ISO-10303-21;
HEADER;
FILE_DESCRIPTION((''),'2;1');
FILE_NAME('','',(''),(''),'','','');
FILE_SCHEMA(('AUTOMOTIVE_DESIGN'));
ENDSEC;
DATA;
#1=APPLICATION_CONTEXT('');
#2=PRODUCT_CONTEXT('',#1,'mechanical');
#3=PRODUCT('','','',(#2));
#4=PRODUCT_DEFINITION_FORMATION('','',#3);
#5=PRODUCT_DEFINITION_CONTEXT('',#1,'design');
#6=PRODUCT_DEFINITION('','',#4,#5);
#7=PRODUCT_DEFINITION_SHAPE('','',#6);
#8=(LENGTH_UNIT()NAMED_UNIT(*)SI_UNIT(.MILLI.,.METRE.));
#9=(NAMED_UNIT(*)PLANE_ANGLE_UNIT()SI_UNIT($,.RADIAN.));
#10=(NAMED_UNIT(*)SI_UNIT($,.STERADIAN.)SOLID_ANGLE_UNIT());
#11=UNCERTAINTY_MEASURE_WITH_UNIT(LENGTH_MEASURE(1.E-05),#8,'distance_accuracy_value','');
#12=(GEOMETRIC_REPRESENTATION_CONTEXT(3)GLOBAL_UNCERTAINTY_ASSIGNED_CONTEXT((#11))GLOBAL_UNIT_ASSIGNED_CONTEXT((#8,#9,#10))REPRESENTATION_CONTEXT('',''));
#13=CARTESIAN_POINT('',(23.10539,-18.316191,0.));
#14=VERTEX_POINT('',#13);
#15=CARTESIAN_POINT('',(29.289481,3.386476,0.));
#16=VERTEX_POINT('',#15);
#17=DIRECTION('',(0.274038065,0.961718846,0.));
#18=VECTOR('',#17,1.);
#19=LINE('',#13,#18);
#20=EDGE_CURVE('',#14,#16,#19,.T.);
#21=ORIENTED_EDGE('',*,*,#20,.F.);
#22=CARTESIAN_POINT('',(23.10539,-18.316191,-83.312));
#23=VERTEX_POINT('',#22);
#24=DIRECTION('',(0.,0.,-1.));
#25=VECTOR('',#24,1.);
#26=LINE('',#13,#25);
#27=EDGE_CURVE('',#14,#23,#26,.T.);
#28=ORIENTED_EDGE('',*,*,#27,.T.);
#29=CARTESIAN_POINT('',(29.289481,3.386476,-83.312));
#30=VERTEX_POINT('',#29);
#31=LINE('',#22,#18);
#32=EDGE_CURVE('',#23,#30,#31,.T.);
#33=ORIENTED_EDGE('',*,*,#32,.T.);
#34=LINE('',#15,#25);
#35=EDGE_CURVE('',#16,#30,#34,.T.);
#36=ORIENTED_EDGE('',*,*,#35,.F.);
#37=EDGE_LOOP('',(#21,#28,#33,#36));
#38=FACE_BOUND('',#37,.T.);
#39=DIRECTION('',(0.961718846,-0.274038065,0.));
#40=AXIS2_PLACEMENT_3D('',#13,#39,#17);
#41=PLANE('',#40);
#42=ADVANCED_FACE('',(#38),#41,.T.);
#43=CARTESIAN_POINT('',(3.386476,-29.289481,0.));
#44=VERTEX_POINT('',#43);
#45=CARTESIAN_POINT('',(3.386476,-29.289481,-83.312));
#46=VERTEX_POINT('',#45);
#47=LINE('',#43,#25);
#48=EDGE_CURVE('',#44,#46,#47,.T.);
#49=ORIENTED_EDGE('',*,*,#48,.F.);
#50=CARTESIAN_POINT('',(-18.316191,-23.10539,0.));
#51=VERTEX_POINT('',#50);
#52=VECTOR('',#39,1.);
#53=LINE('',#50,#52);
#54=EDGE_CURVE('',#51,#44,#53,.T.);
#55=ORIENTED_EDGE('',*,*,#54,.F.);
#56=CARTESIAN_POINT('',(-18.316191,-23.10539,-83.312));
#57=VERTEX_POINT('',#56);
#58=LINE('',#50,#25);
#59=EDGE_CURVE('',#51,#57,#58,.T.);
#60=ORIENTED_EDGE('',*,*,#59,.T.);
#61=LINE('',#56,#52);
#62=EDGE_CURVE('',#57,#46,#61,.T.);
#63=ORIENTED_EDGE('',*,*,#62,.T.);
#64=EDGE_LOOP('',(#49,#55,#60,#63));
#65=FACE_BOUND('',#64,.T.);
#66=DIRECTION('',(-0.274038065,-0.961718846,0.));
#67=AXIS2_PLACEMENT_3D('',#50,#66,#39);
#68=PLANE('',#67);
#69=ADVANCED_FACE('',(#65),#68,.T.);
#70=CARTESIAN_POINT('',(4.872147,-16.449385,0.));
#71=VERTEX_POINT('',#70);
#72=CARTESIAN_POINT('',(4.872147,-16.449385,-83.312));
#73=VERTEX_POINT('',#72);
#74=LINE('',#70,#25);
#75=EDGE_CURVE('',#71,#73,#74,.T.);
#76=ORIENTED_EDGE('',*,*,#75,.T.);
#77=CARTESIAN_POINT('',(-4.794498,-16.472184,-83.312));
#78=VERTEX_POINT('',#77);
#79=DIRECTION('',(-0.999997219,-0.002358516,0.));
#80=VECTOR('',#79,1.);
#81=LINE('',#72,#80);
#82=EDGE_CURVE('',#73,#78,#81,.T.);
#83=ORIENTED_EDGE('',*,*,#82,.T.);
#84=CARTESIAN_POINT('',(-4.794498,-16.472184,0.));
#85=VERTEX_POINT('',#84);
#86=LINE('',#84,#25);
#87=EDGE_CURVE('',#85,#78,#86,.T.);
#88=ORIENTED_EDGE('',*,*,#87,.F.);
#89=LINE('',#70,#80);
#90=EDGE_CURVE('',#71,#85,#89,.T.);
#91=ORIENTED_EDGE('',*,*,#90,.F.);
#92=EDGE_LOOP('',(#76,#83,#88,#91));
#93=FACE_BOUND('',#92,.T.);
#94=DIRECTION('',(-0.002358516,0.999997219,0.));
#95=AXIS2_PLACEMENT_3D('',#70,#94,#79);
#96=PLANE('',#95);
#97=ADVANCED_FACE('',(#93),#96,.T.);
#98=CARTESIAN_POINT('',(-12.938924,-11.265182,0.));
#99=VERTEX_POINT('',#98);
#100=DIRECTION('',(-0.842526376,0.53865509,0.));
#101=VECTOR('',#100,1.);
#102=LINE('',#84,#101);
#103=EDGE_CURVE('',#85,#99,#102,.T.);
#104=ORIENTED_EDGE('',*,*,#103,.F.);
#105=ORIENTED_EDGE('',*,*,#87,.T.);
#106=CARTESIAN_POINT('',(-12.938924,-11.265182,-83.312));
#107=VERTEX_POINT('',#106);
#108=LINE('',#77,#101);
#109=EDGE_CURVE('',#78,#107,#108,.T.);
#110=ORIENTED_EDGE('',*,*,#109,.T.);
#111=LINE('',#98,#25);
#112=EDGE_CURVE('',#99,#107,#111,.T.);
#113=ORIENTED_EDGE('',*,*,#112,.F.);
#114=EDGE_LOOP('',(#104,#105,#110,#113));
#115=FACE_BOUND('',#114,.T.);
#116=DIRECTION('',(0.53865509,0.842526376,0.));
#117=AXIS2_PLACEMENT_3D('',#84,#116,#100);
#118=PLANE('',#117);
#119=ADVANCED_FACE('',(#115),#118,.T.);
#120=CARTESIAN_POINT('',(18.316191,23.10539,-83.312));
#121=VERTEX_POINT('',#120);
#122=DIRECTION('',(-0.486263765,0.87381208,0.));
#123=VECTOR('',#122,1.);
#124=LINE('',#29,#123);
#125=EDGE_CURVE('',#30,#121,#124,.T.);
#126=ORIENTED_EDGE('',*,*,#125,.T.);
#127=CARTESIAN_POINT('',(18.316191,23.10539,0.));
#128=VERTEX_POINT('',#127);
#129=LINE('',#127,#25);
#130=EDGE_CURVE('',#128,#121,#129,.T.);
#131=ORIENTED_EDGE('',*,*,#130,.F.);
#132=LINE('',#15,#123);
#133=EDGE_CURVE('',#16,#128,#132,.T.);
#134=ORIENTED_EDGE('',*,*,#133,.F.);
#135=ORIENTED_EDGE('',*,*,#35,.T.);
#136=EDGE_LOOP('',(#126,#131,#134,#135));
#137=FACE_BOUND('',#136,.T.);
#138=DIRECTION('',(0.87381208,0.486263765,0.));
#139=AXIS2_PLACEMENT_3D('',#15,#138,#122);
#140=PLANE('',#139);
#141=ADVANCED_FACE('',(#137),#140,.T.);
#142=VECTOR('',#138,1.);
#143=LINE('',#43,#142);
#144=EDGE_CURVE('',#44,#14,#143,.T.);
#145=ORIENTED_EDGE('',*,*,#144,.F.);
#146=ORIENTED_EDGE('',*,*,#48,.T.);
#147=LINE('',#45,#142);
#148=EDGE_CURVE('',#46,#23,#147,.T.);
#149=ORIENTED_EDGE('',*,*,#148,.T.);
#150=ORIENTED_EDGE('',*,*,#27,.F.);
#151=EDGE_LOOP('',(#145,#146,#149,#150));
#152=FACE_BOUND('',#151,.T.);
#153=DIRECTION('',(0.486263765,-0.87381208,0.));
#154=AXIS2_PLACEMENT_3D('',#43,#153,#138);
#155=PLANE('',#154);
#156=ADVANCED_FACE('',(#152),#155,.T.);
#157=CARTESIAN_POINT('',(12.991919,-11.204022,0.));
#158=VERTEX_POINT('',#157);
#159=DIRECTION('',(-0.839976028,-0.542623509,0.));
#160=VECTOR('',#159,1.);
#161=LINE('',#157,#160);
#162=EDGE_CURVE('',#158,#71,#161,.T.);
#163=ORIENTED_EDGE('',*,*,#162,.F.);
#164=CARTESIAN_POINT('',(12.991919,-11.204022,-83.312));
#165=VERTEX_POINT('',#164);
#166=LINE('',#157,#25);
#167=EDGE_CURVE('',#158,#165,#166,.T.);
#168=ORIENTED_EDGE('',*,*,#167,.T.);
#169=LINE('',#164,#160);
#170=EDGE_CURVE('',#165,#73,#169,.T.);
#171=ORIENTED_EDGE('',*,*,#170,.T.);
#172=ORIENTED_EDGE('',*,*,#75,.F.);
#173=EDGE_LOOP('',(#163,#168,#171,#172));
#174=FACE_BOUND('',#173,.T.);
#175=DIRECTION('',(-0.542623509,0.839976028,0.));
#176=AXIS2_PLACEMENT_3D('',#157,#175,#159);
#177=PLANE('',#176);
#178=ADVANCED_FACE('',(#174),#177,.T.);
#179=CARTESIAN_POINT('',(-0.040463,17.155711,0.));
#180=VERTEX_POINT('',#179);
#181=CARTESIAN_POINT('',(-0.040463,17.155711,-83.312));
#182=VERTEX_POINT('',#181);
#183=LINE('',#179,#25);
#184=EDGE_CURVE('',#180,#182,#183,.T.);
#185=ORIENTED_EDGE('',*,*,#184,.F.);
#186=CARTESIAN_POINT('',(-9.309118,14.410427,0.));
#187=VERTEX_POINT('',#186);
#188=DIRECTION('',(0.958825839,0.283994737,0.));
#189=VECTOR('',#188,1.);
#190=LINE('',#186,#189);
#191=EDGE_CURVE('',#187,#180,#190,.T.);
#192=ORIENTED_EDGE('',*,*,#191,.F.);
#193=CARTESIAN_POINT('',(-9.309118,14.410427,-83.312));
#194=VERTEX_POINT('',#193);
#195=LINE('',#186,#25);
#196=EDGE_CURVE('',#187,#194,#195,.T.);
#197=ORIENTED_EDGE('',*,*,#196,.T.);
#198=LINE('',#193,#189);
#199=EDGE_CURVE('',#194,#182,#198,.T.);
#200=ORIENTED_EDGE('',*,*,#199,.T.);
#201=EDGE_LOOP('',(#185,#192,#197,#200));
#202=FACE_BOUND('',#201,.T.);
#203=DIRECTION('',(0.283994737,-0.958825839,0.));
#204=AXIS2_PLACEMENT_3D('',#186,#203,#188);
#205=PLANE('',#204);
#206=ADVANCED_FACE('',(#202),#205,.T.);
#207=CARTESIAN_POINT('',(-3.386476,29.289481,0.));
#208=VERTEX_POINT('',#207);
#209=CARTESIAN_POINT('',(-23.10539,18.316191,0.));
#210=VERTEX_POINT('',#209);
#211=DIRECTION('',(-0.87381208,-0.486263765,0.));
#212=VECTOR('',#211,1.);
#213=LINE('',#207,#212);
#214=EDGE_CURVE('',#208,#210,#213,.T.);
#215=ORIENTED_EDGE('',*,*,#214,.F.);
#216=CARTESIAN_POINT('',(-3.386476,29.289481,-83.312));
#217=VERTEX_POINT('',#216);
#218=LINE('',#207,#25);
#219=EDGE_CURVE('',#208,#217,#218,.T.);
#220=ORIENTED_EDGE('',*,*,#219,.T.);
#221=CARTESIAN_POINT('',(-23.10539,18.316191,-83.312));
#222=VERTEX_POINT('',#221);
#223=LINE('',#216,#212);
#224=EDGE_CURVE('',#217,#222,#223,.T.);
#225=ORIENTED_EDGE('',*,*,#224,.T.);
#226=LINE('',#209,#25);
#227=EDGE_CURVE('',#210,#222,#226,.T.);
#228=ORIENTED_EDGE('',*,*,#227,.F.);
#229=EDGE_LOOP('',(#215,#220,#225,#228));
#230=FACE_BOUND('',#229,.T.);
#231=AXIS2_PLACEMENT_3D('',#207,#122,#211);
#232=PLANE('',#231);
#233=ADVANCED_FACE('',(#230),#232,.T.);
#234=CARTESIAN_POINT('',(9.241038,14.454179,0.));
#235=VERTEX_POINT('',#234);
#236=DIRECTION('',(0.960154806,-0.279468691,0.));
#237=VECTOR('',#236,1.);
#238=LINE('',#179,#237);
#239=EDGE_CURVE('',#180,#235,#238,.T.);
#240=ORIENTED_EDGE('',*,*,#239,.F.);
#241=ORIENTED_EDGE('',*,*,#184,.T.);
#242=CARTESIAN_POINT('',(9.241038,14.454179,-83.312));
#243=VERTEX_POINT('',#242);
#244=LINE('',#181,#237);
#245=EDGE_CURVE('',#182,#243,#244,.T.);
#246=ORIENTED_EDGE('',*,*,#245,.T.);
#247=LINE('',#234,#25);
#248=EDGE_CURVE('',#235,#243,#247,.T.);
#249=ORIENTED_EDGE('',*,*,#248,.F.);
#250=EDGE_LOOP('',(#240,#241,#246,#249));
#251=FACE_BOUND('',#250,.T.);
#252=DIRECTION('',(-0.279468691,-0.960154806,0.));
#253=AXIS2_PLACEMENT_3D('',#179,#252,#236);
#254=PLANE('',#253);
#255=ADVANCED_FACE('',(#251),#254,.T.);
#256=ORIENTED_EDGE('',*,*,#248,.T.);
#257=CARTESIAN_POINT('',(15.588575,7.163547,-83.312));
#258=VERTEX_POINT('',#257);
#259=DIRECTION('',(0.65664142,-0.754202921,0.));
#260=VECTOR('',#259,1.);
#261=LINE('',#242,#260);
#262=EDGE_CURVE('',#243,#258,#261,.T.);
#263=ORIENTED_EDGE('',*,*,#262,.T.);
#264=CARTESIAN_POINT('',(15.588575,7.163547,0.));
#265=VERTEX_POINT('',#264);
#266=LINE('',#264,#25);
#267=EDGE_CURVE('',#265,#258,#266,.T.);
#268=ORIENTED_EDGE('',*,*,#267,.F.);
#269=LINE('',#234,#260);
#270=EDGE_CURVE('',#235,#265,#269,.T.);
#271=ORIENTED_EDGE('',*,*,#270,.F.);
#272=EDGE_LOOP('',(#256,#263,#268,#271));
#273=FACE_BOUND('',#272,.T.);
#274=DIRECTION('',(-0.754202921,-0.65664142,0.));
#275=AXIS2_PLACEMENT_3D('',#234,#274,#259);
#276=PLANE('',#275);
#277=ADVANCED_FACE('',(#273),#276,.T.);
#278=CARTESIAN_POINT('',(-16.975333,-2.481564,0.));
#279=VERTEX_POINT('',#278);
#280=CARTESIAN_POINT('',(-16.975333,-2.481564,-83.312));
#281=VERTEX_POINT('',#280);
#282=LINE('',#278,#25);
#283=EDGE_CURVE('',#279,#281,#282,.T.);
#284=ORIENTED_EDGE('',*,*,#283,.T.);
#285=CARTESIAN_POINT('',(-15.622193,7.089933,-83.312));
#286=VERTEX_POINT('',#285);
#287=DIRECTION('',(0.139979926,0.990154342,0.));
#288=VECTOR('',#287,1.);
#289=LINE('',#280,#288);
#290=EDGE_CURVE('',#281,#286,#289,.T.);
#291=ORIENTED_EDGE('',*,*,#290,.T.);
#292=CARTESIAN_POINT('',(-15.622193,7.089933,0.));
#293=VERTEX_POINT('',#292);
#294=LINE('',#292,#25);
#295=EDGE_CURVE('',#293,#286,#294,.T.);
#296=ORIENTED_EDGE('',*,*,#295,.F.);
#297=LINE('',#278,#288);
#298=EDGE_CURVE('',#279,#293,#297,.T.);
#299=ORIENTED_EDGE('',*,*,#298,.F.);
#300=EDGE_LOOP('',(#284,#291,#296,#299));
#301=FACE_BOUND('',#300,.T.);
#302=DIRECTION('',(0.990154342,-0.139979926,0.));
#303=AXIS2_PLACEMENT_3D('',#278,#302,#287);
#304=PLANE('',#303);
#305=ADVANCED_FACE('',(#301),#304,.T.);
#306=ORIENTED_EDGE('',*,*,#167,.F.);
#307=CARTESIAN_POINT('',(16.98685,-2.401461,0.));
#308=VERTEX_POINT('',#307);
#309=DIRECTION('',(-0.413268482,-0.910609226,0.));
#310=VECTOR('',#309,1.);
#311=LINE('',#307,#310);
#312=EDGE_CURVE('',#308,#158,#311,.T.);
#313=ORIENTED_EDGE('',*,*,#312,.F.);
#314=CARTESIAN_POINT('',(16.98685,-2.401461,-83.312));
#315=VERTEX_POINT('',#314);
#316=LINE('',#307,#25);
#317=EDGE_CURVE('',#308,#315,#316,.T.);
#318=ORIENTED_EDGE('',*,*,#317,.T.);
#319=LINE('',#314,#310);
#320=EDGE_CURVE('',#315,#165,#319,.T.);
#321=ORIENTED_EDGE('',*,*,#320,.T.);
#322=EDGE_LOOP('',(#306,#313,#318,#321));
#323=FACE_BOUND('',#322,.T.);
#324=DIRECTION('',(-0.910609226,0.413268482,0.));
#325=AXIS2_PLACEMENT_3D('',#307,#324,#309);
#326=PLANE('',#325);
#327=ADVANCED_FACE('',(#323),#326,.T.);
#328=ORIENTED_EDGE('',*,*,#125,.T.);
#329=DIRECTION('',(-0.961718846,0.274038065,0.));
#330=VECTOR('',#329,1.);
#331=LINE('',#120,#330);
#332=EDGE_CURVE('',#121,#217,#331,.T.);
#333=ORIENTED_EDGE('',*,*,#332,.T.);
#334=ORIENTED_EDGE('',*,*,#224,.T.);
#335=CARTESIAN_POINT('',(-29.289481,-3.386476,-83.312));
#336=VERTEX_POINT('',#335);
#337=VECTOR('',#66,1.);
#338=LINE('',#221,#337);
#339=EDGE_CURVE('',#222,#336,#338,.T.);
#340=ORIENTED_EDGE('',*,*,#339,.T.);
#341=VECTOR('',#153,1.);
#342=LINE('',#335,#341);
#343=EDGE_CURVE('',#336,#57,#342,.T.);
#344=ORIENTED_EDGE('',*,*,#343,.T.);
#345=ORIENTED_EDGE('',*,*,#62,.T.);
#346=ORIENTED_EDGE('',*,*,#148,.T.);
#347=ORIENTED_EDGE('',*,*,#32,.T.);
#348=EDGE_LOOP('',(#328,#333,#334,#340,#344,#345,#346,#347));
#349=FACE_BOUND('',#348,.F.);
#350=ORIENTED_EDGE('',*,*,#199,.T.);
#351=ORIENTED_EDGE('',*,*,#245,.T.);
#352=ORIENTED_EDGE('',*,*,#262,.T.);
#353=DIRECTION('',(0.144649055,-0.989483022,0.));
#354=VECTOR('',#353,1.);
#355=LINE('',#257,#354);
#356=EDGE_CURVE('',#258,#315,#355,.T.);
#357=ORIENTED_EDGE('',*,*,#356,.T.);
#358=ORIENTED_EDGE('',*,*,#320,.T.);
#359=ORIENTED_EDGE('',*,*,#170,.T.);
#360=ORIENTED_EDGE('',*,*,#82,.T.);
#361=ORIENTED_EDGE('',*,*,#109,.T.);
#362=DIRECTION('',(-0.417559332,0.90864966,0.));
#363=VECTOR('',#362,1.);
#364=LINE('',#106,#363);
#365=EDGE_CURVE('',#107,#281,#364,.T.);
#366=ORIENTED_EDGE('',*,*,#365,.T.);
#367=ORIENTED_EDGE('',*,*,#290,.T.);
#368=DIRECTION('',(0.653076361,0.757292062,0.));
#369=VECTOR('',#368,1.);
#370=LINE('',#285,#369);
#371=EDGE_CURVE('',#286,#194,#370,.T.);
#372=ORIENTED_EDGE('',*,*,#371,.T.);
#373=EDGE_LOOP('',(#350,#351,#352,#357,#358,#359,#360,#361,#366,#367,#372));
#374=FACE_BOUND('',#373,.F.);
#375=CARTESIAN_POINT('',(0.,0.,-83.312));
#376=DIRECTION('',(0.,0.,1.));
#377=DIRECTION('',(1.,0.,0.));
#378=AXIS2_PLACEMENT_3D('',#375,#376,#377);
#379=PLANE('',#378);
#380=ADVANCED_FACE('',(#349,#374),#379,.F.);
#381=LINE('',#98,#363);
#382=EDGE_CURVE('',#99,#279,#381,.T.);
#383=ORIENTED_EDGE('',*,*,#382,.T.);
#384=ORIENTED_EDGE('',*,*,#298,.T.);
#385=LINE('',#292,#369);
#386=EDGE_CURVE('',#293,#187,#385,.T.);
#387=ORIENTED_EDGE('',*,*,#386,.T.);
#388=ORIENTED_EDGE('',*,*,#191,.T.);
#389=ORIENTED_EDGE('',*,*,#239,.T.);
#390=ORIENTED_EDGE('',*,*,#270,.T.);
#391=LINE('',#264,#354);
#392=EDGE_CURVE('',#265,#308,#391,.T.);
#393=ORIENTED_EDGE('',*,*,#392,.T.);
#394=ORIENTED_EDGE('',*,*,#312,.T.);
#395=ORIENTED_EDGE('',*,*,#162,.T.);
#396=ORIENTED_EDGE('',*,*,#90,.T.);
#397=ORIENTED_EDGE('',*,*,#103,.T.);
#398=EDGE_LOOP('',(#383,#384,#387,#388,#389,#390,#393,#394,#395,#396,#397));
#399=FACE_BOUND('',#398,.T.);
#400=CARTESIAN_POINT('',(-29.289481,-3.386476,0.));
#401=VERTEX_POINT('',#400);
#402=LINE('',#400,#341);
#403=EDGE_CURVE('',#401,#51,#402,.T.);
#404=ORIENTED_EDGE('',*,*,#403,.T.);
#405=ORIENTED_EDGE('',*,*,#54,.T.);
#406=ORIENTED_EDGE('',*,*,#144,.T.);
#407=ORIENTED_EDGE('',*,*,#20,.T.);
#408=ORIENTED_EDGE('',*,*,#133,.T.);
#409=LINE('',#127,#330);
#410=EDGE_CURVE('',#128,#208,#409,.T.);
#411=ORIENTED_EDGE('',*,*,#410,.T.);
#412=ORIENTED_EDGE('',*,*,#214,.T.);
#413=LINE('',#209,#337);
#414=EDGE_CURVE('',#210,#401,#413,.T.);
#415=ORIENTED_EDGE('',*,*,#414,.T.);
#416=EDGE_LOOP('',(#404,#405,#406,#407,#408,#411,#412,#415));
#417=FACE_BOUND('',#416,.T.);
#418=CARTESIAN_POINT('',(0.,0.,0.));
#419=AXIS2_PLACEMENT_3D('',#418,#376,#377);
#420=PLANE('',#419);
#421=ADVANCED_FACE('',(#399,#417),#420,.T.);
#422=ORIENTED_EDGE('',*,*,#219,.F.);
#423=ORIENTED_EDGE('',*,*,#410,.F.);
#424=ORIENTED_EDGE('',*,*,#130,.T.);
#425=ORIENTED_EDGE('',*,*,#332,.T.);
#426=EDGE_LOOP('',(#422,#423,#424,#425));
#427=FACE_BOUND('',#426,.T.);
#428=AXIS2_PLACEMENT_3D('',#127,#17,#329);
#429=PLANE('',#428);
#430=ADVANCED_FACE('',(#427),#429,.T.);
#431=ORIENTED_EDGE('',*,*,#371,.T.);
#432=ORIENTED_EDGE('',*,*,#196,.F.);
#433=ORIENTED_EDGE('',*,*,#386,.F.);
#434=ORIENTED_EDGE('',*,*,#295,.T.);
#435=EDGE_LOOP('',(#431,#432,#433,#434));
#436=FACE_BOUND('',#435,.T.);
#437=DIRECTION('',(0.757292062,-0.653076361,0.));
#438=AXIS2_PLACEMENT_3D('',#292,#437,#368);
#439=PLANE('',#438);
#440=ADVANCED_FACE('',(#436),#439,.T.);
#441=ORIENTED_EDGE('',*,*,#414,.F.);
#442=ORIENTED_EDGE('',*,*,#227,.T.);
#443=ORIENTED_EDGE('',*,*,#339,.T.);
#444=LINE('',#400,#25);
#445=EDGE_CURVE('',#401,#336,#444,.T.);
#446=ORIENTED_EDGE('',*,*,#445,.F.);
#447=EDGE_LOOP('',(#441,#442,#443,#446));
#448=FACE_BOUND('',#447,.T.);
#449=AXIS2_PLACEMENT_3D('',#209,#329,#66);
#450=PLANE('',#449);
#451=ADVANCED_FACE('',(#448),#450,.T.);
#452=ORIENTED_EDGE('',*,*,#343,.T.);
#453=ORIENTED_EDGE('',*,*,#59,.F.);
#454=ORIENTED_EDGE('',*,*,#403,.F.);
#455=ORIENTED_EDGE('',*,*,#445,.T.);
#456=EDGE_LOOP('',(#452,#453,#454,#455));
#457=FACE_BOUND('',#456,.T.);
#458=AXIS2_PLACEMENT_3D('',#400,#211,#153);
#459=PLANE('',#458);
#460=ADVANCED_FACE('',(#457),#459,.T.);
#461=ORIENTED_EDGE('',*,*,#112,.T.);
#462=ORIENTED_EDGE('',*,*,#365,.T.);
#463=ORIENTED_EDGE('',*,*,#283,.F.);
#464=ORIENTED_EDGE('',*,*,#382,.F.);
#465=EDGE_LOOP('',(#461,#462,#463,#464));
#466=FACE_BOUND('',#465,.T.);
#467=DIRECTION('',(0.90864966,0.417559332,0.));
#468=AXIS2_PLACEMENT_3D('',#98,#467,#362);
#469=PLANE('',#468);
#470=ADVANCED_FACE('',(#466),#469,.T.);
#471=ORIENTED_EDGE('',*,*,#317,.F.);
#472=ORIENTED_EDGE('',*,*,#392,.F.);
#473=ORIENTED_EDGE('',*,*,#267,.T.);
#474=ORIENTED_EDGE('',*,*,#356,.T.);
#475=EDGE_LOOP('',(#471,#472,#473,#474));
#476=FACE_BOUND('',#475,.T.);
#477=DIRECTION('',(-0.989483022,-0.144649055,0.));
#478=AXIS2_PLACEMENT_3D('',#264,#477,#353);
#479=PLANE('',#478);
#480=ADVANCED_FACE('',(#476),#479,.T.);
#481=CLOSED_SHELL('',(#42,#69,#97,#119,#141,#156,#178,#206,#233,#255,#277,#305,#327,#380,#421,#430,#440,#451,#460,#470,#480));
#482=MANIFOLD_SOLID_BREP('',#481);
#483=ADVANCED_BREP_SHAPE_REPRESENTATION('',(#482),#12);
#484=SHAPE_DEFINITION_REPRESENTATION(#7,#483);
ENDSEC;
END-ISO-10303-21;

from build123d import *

# Parameters (mm, degrees)
F1_DEPTH = 83.312


with BuildPart() as f1:
    # F0 (on Top) → F1 (new body)
    with BuildSketch(Plane.XY):
        Polygon((3.386476, -29.289481), (23.10539, -18.316191), (29.289481, 3.386476), (18.316191, 23.10539), (-3.386476, 29.289481), (-23.10539, 18.316191), (-29.289481, -3.386476), (-18.316191, -23.10539), align=None)
        Polygon((-15.622193, 7.089933), (-9.309118, 14.410427), (-0.040463, 17.155711), (9.241038, 14.454179), (15.588575, 7.163547), (16.98685, -2.401461), (12.991919, -11.204022), (4.872147, -16.449385), (-4.794498, -16.472184), (-12.938924, -11.265182), (-16.975333, -2.481564), align=None, mode=Mode.SUBTRACT)
    extrude(amount=-F1_DEPTH)


solid = f1.part
